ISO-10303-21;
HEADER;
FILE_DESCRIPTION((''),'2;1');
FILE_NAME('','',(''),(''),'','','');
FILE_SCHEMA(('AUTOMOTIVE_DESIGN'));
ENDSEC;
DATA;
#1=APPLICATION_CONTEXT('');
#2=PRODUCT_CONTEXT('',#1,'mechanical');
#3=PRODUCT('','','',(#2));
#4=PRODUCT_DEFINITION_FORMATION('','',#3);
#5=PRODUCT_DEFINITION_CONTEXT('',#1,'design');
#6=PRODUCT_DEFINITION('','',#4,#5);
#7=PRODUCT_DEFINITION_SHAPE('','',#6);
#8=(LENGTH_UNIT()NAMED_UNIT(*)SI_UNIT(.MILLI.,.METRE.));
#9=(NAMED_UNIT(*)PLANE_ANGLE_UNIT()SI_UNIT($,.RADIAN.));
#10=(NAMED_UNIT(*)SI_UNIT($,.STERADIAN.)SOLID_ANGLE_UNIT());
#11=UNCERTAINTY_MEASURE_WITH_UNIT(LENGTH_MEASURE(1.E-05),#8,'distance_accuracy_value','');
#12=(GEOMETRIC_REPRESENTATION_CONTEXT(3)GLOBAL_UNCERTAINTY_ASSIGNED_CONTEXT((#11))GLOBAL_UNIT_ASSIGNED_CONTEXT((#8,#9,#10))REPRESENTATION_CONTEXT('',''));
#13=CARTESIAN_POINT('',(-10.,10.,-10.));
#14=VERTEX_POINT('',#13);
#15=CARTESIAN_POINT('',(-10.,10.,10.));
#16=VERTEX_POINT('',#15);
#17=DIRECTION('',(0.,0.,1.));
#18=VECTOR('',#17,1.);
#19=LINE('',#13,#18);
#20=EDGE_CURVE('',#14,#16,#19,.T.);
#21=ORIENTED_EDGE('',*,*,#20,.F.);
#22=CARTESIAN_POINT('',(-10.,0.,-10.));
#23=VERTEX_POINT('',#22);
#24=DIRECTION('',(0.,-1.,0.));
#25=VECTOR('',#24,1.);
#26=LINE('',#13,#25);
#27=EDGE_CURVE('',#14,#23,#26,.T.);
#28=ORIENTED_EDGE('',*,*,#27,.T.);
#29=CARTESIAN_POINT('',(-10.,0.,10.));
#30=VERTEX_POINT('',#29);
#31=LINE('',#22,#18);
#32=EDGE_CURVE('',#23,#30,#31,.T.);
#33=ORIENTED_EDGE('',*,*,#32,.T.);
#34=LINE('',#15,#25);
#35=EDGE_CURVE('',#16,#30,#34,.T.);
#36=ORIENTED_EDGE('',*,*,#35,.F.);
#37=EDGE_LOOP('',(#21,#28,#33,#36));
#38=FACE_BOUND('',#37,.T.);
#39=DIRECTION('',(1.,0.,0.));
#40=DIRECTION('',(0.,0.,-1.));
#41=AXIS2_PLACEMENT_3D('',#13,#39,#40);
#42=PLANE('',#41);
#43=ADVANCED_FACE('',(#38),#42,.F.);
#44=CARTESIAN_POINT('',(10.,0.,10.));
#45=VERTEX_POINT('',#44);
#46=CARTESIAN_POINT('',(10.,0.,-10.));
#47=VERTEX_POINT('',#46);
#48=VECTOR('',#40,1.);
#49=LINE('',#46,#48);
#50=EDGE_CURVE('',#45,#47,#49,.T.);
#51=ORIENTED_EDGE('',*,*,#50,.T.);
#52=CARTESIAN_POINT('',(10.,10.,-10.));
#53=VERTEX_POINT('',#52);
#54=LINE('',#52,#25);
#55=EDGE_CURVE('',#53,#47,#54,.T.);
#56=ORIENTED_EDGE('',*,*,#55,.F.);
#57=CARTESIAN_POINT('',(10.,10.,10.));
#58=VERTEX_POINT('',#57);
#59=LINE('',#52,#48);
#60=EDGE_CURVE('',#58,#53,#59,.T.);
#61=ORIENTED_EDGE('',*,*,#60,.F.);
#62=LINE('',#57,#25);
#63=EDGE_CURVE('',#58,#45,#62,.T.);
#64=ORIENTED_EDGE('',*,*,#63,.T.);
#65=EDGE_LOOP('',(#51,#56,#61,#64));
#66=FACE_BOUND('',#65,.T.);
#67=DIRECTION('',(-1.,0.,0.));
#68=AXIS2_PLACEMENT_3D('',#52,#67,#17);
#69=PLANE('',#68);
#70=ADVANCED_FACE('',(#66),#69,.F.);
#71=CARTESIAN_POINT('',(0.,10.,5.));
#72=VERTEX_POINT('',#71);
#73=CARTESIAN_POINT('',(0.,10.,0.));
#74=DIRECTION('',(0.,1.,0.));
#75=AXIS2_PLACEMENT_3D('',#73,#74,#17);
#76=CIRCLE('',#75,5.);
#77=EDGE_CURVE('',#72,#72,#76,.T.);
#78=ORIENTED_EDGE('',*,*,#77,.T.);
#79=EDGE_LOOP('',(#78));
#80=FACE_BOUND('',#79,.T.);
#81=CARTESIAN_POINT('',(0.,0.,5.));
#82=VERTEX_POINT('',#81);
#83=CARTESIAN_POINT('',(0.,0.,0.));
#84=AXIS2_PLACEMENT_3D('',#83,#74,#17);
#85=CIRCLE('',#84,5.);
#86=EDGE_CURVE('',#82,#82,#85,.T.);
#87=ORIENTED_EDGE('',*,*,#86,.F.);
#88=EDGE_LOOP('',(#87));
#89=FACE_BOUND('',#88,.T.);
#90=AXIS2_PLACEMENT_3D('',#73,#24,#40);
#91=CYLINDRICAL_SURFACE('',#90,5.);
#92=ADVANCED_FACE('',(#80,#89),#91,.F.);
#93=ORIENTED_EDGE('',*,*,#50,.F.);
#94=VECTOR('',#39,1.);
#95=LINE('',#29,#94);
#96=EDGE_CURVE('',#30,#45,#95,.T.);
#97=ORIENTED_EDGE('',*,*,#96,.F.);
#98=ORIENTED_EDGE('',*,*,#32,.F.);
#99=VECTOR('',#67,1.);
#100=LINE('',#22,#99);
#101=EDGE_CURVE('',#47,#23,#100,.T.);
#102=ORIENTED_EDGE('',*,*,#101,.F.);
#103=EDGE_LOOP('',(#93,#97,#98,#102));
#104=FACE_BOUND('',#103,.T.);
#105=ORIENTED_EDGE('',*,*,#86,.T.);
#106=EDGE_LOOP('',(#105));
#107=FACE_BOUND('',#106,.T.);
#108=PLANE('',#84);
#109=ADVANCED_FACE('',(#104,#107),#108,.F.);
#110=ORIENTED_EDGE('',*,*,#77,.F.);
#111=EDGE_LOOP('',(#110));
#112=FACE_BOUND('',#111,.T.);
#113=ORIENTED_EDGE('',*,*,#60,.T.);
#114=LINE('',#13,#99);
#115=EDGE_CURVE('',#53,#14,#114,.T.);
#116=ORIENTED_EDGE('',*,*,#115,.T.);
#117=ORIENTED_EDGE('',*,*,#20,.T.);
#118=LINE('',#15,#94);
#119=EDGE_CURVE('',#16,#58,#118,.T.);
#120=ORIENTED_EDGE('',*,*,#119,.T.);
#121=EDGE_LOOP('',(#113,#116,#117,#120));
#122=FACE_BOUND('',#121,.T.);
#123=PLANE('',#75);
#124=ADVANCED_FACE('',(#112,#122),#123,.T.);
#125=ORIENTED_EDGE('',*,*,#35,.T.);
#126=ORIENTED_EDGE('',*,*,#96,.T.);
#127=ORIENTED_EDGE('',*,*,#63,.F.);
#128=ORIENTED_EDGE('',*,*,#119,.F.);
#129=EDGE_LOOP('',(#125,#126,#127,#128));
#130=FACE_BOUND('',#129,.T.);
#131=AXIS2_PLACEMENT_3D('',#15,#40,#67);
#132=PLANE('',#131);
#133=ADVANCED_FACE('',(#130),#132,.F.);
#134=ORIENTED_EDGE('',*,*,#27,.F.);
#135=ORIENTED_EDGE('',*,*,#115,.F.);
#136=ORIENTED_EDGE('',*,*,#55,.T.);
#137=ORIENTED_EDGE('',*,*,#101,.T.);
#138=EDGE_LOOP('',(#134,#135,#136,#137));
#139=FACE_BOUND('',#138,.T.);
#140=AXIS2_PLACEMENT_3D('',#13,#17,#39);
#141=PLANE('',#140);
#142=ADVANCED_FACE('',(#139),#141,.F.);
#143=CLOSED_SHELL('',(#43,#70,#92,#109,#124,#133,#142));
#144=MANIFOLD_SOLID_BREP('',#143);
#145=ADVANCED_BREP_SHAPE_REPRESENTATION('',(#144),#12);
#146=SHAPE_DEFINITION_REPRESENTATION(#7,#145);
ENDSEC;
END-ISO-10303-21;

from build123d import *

# Parameters (mm, degrees)
SKETCH1_W           = 20
SKETCH1_H           = 20
SKETCH1_R           = 5
BOSS_EXTRUDE1_DEPTH = 10


with BuildPart() as part:
    # Sketch1 → Boss-Extrude1 (new body)
    with BuildSketch(Plane(origin=(0, 0, 0), x_dir=(1, 0, 0), z_dir=(0, 1, 0))):
        Rectangle(SKETCH1_W, SKETCH1_H)
        Circle(SKETCH1_R, mode=Mode.SUBTRACT)
    extrude(amount=BOSS_EXTRUDE1_DEPTH)


solid = part.part
